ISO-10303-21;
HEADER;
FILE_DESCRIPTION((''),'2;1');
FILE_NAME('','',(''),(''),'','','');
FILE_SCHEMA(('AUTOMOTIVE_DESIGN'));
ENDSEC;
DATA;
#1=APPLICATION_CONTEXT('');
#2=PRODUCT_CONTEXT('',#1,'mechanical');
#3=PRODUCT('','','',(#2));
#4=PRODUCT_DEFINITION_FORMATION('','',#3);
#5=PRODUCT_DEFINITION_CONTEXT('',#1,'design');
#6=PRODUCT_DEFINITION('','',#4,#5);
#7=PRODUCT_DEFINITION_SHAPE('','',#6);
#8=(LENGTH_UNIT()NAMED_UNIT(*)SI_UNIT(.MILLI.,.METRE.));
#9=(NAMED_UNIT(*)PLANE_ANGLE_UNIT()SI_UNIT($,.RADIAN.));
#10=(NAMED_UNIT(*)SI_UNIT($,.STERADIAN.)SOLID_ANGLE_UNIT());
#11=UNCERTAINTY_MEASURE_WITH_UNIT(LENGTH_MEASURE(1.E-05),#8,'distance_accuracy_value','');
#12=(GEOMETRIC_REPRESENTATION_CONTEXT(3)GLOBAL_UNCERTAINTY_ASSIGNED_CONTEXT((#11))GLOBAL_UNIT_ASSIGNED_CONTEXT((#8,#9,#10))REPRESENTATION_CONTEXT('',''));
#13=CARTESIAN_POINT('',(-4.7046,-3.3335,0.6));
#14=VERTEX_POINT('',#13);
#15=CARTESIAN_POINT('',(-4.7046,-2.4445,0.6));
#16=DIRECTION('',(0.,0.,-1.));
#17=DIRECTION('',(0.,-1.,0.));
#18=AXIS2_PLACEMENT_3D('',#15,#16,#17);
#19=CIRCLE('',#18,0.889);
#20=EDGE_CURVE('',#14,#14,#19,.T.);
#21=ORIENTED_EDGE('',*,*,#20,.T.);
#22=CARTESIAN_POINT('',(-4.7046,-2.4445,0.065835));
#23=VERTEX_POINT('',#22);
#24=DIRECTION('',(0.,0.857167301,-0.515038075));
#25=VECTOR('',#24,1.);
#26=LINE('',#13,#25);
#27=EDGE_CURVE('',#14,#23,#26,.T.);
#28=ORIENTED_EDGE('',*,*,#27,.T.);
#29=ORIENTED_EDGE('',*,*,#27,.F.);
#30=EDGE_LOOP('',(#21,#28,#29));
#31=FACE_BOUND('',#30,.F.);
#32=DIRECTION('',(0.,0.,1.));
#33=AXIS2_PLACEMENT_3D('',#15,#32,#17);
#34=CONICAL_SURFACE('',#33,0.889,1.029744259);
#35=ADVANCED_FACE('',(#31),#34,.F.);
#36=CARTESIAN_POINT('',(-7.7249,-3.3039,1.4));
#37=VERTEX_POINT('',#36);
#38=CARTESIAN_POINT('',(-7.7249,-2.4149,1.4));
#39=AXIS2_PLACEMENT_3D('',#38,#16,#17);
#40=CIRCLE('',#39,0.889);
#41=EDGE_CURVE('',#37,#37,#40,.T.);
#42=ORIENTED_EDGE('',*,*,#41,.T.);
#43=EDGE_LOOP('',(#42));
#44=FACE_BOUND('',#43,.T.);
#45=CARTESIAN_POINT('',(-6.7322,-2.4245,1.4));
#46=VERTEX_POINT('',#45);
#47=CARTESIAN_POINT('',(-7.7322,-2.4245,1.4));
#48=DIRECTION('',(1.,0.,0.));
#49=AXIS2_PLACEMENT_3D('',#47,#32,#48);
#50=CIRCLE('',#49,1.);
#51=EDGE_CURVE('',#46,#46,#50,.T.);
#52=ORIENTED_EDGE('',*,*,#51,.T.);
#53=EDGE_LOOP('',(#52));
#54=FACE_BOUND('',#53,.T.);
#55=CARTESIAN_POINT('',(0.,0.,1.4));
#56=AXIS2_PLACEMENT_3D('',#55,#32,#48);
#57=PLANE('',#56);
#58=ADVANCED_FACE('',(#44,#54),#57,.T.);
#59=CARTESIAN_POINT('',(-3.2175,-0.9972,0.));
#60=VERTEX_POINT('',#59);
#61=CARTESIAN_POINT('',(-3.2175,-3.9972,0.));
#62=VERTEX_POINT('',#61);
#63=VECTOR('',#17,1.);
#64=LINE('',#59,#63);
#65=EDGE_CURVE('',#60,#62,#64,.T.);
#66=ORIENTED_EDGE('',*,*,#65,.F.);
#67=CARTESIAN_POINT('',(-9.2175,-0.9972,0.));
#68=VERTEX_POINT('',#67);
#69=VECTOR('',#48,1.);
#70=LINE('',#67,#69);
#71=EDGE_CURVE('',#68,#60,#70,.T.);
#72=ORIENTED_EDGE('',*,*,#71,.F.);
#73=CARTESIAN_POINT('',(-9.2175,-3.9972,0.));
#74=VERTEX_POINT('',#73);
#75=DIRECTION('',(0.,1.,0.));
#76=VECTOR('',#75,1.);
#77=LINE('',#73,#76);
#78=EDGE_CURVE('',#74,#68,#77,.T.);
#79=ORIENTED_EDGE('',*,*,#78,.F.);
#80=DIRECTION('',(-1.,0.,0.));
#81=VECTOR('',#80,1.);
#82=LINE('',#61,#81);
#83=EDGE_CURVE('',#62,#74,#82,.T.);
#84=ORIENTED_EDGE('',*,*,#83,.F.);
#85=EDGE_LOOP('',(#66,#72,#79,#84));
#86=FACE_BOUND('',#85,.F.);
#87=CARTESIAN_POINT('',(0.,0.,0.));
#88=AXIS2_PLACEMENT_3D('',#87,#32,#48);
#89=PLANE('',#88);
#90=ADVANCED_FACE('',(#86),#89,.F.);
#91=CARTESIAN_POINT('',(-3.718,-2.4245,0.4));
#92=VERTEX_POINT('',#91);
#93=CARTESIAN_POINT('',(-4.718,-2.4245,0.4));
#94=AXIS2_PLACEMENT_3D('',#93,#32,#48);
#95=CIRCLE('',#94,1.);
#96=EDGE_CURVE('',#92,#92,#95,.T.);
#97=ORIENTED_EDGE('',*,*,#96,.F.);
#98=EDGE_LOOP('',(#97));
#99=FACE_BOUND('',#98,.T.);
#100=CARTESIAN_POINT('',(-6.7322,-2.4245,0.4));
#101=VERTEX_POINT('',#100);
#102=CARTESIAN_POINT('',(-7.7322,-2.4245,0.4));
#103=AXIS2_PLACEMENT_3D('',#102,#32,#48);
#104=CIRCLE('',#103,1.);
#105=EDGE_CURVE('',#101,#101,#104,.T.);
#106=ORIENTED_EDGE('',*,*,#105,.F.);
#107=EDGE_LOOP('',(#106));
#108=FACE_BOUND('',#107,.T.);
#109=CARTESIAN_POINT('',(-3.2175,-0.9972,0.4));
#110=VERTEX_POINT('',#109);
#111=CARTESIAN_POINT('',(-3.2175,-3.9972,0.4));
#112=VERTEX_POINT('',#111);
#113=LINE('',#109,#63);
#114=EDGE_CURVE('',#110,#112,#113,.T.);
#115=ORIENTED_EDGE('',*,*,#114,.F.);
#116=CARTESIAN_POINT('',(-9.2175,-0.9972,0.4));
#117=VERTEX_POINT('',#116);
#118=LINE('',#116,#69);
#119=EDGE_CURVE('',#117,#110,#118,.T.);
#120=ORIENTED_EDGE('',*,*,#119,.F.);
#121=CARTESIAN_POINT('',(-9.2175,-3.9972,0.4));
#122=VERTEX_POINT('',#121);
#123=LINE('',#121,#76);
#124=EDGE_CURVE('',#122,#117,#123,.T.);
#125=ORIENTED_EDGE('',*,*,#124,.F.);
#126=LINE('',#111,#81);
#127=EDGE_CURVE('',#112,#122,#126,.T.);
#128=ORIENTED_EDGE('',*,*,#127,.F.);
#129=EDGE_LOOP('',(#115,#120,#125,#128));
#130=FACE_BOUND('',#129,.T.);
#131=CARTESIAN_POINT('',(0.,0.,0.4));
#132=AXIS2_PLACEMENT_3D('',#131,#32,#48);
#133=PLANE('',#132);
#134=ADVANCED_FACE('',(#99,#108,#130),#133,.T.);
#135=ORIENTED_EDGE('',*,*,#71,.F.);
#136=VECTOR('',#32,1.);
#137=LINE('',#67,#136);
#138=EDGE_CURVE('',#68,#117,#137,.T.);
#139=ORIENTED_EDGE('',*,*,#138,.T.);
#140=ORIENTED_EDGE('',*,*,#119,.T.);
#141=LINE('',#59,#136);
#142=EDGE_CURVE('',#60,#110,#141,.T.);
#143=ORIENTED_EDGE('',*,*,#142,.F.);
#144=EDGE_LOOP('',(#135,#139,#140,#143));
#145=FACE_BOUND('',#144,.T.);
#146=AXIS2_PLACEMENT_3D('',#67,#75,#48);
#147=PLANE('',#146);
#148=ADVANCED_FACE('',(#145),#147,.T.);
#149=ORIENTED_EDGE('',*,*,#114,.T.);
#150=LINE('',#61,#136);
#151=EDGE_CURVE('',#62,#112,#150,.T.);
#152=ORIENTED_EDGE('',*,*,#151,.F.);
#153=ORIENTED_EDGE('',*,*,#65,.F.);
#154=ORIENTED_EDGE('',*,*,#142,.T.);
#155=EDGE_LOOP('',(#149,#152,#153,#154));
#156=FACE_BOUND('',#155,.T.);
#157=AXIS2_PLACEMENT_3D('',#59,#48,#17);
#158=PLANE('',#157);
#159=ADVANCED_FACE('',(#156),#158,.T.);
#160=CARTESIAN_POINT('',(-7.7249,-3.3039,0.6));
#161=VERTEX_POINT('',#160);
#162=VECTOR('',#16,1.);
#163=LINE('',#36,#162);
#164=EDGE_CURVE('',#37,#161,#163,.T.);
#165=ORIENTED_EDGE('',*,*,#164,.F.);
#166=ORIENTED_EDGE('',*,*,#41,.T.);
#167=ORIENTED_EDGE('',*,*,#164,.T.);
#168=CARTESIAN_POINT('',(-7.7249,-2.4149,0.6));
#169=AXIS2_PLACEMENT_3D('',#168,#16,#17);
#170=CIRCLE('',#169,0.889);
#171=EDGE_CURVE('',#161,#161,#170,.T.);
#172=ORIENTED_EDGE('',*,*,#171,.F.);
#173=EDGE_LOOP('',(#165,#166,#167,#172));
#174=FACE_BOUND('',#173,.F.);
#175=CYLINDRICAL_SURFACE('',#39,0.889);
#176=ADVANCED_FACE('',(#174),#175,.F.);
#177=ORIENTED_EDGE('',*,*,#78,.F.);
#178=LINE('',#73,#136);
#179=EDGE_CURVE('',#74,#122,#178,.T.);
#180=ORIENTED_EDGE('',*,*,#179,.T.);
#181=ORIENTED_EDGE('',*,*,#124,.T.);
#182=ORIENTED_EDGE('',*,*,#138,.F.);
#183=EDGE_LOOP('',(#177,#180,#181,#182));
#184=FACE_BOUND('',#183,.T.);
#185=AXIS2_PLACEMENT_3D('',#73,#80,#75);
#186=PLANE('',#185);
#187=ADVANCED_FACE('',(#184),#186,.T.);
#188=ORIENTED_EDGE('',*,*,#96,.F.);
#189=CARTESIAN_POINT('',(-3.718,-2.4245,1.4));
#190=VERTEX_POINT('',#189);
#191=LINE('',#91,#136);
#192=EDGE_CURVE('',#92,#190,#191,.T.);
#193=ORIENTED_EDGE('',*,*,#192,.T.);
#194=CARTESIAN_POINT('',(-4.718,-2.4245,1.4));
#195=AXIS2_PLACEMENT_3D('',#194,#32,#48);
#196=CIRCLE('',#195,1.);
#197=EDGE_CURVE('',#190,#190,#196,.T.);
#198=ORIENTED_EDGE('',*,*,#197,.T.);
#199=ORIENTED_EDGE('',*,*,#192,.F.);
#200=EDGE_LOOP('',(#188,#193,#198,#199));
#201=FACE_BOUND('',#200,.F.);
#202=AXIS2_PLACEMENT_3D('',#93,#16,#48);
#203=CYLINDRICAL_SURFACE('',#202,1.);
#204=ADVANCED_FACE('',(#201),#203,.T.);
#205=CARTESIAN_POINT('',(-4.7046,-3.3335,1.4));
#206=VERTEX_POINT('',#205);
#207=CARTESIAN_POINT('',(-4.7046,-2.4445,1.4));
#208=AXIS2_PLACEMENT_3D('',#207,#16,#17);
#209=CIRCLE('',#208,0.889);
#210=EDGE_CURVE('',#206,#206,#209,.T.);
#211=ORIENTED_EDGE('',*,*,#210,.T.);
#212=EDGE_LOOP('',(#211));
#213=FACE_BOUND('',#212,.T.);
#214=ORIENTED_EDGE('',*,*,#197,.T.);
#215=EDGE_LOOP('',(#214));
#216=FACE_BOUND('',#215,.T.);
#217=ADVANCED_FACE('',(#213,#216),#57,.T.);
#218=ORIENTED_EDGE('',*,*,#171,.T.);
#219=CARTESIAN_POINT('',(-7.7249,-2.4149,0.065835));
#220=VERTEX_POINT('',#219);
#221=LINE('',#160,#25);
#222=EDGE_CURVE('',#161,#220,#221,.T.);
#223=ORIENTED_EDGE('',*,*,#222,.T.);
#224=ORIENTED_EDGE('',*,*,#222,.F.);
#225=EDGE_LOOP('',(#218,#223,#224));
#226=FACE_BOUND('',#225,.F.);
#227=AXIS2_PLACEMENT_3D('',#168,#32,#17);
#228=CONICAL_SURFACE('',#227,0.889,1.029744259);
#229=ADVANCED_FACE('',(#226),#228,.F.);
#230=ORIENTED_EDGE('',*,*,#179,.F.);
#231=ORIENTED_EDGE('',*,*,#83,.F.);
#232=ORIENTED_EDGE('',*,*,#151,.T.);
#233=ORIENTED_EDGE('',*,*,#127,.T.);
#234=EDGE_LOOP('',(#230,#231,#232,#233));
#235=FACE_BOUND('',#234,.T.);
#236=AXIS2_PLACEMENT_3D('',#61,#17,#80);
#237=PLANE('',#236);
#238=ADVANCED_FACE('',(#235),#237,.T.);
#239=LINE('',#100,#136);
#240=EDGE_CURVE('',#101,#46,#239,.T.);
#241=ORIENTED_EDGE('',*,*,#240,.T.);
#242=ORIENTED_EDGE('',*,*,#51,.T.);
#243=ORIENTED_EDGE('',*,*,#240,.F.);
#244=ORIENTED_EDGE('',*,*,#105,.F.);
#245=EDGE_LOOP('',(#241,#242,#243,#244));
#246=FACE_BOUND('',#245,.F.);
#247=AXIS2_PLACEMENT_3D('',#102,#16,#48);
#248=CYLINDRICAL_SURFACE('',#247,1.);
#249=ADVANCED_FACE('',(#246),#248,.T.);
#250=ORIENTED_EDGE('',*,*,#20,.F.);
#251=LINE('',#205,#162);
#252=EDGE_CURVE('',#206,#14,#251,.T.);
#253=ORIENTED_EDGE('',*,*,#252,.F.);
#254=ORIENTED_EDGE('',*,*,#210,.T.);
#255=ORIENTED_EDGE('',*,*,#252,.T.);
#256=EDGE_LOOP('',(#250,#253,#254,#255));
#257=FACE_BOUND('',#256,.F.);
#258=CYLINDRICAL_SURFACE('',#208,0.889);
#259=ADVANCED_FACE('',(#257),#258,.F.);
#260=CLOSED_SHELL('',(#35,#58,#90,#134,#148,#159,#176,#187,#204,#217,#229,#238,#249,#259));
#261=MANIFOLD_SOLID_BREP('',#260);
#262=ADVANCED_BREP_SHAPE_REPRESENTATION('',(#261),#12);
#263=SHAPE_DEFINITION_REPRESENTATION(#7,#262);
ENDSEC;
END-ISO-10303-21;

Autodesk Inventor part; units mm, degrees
ref_plane "YZ Plane" through (0, 0, 0) normal (1, 0, 0) x (0, 1, 0)
ref_plane "XZ Plane" through (0, 0, 0) normal (0, 1, 0) x (-1, 0, 0)
ref_plane "XY Plane" through (0, 0, 0) normal (0, 0, 1) x (1, 0, 0)
sketch "Sketch1" plane through (0, 0, 0) normal (0, 0, 1) x (1, 0, 0)
  line L0 (-9.2175, -0.9972) -> (-3.2175, -0.9972)
  line L1 (-3.2175, -0.9972) -> (-3.2175, -3.9972)
  line L2 (-3.2175, -3.9972) -> (-9.2175, -3.9972)
  line L3 (-9.2175, -3.9972) -> (-9.2175, -0.9972)
  point P0 (0, 0)
  dimension "d0" = 6
  dimension "d1" = 3
  dimension "d2" = 6
extrude "Extrusion1" add sketch "Sketch1" along normal blind 0.4
sketch "Sketch2" plane through (0, 0, 0.4) normal (0, 0, 1) x (1, 0, 0)
  circle A0 centre (-7.7322, -2.4245) radius 1
  circle A1 centre (-4.718, -2.4245) radius 1
  point P0 (0, 0)
  dimension "d5" = 2
  dimension "d6" = 2
extrude "Extrusion2" add sketch "Sketch2" along normal blind 1
sketch "Sketch3" plane through (-7.7322, -2.4245, 1.4) normal (0, 0, 1) x (1, 0, 0)
  point P0 (7.7322, 2.4245)
  point P1 (0.0073, 0.0096)
  point P2 (3.0276, -0.0199)
hole "Hole1" at (-7.7249, -2.4149, 1.4) at (-4.7046, -2.4445, 1.4) direction (0, 0, -1) diameter 1.778 depth 0.8 tip angle 118 clearance for "Flat Head Machine Screw (82)" size "#0" standard "Ansi Unified Screw Threads"
properties part number "US sensor"
